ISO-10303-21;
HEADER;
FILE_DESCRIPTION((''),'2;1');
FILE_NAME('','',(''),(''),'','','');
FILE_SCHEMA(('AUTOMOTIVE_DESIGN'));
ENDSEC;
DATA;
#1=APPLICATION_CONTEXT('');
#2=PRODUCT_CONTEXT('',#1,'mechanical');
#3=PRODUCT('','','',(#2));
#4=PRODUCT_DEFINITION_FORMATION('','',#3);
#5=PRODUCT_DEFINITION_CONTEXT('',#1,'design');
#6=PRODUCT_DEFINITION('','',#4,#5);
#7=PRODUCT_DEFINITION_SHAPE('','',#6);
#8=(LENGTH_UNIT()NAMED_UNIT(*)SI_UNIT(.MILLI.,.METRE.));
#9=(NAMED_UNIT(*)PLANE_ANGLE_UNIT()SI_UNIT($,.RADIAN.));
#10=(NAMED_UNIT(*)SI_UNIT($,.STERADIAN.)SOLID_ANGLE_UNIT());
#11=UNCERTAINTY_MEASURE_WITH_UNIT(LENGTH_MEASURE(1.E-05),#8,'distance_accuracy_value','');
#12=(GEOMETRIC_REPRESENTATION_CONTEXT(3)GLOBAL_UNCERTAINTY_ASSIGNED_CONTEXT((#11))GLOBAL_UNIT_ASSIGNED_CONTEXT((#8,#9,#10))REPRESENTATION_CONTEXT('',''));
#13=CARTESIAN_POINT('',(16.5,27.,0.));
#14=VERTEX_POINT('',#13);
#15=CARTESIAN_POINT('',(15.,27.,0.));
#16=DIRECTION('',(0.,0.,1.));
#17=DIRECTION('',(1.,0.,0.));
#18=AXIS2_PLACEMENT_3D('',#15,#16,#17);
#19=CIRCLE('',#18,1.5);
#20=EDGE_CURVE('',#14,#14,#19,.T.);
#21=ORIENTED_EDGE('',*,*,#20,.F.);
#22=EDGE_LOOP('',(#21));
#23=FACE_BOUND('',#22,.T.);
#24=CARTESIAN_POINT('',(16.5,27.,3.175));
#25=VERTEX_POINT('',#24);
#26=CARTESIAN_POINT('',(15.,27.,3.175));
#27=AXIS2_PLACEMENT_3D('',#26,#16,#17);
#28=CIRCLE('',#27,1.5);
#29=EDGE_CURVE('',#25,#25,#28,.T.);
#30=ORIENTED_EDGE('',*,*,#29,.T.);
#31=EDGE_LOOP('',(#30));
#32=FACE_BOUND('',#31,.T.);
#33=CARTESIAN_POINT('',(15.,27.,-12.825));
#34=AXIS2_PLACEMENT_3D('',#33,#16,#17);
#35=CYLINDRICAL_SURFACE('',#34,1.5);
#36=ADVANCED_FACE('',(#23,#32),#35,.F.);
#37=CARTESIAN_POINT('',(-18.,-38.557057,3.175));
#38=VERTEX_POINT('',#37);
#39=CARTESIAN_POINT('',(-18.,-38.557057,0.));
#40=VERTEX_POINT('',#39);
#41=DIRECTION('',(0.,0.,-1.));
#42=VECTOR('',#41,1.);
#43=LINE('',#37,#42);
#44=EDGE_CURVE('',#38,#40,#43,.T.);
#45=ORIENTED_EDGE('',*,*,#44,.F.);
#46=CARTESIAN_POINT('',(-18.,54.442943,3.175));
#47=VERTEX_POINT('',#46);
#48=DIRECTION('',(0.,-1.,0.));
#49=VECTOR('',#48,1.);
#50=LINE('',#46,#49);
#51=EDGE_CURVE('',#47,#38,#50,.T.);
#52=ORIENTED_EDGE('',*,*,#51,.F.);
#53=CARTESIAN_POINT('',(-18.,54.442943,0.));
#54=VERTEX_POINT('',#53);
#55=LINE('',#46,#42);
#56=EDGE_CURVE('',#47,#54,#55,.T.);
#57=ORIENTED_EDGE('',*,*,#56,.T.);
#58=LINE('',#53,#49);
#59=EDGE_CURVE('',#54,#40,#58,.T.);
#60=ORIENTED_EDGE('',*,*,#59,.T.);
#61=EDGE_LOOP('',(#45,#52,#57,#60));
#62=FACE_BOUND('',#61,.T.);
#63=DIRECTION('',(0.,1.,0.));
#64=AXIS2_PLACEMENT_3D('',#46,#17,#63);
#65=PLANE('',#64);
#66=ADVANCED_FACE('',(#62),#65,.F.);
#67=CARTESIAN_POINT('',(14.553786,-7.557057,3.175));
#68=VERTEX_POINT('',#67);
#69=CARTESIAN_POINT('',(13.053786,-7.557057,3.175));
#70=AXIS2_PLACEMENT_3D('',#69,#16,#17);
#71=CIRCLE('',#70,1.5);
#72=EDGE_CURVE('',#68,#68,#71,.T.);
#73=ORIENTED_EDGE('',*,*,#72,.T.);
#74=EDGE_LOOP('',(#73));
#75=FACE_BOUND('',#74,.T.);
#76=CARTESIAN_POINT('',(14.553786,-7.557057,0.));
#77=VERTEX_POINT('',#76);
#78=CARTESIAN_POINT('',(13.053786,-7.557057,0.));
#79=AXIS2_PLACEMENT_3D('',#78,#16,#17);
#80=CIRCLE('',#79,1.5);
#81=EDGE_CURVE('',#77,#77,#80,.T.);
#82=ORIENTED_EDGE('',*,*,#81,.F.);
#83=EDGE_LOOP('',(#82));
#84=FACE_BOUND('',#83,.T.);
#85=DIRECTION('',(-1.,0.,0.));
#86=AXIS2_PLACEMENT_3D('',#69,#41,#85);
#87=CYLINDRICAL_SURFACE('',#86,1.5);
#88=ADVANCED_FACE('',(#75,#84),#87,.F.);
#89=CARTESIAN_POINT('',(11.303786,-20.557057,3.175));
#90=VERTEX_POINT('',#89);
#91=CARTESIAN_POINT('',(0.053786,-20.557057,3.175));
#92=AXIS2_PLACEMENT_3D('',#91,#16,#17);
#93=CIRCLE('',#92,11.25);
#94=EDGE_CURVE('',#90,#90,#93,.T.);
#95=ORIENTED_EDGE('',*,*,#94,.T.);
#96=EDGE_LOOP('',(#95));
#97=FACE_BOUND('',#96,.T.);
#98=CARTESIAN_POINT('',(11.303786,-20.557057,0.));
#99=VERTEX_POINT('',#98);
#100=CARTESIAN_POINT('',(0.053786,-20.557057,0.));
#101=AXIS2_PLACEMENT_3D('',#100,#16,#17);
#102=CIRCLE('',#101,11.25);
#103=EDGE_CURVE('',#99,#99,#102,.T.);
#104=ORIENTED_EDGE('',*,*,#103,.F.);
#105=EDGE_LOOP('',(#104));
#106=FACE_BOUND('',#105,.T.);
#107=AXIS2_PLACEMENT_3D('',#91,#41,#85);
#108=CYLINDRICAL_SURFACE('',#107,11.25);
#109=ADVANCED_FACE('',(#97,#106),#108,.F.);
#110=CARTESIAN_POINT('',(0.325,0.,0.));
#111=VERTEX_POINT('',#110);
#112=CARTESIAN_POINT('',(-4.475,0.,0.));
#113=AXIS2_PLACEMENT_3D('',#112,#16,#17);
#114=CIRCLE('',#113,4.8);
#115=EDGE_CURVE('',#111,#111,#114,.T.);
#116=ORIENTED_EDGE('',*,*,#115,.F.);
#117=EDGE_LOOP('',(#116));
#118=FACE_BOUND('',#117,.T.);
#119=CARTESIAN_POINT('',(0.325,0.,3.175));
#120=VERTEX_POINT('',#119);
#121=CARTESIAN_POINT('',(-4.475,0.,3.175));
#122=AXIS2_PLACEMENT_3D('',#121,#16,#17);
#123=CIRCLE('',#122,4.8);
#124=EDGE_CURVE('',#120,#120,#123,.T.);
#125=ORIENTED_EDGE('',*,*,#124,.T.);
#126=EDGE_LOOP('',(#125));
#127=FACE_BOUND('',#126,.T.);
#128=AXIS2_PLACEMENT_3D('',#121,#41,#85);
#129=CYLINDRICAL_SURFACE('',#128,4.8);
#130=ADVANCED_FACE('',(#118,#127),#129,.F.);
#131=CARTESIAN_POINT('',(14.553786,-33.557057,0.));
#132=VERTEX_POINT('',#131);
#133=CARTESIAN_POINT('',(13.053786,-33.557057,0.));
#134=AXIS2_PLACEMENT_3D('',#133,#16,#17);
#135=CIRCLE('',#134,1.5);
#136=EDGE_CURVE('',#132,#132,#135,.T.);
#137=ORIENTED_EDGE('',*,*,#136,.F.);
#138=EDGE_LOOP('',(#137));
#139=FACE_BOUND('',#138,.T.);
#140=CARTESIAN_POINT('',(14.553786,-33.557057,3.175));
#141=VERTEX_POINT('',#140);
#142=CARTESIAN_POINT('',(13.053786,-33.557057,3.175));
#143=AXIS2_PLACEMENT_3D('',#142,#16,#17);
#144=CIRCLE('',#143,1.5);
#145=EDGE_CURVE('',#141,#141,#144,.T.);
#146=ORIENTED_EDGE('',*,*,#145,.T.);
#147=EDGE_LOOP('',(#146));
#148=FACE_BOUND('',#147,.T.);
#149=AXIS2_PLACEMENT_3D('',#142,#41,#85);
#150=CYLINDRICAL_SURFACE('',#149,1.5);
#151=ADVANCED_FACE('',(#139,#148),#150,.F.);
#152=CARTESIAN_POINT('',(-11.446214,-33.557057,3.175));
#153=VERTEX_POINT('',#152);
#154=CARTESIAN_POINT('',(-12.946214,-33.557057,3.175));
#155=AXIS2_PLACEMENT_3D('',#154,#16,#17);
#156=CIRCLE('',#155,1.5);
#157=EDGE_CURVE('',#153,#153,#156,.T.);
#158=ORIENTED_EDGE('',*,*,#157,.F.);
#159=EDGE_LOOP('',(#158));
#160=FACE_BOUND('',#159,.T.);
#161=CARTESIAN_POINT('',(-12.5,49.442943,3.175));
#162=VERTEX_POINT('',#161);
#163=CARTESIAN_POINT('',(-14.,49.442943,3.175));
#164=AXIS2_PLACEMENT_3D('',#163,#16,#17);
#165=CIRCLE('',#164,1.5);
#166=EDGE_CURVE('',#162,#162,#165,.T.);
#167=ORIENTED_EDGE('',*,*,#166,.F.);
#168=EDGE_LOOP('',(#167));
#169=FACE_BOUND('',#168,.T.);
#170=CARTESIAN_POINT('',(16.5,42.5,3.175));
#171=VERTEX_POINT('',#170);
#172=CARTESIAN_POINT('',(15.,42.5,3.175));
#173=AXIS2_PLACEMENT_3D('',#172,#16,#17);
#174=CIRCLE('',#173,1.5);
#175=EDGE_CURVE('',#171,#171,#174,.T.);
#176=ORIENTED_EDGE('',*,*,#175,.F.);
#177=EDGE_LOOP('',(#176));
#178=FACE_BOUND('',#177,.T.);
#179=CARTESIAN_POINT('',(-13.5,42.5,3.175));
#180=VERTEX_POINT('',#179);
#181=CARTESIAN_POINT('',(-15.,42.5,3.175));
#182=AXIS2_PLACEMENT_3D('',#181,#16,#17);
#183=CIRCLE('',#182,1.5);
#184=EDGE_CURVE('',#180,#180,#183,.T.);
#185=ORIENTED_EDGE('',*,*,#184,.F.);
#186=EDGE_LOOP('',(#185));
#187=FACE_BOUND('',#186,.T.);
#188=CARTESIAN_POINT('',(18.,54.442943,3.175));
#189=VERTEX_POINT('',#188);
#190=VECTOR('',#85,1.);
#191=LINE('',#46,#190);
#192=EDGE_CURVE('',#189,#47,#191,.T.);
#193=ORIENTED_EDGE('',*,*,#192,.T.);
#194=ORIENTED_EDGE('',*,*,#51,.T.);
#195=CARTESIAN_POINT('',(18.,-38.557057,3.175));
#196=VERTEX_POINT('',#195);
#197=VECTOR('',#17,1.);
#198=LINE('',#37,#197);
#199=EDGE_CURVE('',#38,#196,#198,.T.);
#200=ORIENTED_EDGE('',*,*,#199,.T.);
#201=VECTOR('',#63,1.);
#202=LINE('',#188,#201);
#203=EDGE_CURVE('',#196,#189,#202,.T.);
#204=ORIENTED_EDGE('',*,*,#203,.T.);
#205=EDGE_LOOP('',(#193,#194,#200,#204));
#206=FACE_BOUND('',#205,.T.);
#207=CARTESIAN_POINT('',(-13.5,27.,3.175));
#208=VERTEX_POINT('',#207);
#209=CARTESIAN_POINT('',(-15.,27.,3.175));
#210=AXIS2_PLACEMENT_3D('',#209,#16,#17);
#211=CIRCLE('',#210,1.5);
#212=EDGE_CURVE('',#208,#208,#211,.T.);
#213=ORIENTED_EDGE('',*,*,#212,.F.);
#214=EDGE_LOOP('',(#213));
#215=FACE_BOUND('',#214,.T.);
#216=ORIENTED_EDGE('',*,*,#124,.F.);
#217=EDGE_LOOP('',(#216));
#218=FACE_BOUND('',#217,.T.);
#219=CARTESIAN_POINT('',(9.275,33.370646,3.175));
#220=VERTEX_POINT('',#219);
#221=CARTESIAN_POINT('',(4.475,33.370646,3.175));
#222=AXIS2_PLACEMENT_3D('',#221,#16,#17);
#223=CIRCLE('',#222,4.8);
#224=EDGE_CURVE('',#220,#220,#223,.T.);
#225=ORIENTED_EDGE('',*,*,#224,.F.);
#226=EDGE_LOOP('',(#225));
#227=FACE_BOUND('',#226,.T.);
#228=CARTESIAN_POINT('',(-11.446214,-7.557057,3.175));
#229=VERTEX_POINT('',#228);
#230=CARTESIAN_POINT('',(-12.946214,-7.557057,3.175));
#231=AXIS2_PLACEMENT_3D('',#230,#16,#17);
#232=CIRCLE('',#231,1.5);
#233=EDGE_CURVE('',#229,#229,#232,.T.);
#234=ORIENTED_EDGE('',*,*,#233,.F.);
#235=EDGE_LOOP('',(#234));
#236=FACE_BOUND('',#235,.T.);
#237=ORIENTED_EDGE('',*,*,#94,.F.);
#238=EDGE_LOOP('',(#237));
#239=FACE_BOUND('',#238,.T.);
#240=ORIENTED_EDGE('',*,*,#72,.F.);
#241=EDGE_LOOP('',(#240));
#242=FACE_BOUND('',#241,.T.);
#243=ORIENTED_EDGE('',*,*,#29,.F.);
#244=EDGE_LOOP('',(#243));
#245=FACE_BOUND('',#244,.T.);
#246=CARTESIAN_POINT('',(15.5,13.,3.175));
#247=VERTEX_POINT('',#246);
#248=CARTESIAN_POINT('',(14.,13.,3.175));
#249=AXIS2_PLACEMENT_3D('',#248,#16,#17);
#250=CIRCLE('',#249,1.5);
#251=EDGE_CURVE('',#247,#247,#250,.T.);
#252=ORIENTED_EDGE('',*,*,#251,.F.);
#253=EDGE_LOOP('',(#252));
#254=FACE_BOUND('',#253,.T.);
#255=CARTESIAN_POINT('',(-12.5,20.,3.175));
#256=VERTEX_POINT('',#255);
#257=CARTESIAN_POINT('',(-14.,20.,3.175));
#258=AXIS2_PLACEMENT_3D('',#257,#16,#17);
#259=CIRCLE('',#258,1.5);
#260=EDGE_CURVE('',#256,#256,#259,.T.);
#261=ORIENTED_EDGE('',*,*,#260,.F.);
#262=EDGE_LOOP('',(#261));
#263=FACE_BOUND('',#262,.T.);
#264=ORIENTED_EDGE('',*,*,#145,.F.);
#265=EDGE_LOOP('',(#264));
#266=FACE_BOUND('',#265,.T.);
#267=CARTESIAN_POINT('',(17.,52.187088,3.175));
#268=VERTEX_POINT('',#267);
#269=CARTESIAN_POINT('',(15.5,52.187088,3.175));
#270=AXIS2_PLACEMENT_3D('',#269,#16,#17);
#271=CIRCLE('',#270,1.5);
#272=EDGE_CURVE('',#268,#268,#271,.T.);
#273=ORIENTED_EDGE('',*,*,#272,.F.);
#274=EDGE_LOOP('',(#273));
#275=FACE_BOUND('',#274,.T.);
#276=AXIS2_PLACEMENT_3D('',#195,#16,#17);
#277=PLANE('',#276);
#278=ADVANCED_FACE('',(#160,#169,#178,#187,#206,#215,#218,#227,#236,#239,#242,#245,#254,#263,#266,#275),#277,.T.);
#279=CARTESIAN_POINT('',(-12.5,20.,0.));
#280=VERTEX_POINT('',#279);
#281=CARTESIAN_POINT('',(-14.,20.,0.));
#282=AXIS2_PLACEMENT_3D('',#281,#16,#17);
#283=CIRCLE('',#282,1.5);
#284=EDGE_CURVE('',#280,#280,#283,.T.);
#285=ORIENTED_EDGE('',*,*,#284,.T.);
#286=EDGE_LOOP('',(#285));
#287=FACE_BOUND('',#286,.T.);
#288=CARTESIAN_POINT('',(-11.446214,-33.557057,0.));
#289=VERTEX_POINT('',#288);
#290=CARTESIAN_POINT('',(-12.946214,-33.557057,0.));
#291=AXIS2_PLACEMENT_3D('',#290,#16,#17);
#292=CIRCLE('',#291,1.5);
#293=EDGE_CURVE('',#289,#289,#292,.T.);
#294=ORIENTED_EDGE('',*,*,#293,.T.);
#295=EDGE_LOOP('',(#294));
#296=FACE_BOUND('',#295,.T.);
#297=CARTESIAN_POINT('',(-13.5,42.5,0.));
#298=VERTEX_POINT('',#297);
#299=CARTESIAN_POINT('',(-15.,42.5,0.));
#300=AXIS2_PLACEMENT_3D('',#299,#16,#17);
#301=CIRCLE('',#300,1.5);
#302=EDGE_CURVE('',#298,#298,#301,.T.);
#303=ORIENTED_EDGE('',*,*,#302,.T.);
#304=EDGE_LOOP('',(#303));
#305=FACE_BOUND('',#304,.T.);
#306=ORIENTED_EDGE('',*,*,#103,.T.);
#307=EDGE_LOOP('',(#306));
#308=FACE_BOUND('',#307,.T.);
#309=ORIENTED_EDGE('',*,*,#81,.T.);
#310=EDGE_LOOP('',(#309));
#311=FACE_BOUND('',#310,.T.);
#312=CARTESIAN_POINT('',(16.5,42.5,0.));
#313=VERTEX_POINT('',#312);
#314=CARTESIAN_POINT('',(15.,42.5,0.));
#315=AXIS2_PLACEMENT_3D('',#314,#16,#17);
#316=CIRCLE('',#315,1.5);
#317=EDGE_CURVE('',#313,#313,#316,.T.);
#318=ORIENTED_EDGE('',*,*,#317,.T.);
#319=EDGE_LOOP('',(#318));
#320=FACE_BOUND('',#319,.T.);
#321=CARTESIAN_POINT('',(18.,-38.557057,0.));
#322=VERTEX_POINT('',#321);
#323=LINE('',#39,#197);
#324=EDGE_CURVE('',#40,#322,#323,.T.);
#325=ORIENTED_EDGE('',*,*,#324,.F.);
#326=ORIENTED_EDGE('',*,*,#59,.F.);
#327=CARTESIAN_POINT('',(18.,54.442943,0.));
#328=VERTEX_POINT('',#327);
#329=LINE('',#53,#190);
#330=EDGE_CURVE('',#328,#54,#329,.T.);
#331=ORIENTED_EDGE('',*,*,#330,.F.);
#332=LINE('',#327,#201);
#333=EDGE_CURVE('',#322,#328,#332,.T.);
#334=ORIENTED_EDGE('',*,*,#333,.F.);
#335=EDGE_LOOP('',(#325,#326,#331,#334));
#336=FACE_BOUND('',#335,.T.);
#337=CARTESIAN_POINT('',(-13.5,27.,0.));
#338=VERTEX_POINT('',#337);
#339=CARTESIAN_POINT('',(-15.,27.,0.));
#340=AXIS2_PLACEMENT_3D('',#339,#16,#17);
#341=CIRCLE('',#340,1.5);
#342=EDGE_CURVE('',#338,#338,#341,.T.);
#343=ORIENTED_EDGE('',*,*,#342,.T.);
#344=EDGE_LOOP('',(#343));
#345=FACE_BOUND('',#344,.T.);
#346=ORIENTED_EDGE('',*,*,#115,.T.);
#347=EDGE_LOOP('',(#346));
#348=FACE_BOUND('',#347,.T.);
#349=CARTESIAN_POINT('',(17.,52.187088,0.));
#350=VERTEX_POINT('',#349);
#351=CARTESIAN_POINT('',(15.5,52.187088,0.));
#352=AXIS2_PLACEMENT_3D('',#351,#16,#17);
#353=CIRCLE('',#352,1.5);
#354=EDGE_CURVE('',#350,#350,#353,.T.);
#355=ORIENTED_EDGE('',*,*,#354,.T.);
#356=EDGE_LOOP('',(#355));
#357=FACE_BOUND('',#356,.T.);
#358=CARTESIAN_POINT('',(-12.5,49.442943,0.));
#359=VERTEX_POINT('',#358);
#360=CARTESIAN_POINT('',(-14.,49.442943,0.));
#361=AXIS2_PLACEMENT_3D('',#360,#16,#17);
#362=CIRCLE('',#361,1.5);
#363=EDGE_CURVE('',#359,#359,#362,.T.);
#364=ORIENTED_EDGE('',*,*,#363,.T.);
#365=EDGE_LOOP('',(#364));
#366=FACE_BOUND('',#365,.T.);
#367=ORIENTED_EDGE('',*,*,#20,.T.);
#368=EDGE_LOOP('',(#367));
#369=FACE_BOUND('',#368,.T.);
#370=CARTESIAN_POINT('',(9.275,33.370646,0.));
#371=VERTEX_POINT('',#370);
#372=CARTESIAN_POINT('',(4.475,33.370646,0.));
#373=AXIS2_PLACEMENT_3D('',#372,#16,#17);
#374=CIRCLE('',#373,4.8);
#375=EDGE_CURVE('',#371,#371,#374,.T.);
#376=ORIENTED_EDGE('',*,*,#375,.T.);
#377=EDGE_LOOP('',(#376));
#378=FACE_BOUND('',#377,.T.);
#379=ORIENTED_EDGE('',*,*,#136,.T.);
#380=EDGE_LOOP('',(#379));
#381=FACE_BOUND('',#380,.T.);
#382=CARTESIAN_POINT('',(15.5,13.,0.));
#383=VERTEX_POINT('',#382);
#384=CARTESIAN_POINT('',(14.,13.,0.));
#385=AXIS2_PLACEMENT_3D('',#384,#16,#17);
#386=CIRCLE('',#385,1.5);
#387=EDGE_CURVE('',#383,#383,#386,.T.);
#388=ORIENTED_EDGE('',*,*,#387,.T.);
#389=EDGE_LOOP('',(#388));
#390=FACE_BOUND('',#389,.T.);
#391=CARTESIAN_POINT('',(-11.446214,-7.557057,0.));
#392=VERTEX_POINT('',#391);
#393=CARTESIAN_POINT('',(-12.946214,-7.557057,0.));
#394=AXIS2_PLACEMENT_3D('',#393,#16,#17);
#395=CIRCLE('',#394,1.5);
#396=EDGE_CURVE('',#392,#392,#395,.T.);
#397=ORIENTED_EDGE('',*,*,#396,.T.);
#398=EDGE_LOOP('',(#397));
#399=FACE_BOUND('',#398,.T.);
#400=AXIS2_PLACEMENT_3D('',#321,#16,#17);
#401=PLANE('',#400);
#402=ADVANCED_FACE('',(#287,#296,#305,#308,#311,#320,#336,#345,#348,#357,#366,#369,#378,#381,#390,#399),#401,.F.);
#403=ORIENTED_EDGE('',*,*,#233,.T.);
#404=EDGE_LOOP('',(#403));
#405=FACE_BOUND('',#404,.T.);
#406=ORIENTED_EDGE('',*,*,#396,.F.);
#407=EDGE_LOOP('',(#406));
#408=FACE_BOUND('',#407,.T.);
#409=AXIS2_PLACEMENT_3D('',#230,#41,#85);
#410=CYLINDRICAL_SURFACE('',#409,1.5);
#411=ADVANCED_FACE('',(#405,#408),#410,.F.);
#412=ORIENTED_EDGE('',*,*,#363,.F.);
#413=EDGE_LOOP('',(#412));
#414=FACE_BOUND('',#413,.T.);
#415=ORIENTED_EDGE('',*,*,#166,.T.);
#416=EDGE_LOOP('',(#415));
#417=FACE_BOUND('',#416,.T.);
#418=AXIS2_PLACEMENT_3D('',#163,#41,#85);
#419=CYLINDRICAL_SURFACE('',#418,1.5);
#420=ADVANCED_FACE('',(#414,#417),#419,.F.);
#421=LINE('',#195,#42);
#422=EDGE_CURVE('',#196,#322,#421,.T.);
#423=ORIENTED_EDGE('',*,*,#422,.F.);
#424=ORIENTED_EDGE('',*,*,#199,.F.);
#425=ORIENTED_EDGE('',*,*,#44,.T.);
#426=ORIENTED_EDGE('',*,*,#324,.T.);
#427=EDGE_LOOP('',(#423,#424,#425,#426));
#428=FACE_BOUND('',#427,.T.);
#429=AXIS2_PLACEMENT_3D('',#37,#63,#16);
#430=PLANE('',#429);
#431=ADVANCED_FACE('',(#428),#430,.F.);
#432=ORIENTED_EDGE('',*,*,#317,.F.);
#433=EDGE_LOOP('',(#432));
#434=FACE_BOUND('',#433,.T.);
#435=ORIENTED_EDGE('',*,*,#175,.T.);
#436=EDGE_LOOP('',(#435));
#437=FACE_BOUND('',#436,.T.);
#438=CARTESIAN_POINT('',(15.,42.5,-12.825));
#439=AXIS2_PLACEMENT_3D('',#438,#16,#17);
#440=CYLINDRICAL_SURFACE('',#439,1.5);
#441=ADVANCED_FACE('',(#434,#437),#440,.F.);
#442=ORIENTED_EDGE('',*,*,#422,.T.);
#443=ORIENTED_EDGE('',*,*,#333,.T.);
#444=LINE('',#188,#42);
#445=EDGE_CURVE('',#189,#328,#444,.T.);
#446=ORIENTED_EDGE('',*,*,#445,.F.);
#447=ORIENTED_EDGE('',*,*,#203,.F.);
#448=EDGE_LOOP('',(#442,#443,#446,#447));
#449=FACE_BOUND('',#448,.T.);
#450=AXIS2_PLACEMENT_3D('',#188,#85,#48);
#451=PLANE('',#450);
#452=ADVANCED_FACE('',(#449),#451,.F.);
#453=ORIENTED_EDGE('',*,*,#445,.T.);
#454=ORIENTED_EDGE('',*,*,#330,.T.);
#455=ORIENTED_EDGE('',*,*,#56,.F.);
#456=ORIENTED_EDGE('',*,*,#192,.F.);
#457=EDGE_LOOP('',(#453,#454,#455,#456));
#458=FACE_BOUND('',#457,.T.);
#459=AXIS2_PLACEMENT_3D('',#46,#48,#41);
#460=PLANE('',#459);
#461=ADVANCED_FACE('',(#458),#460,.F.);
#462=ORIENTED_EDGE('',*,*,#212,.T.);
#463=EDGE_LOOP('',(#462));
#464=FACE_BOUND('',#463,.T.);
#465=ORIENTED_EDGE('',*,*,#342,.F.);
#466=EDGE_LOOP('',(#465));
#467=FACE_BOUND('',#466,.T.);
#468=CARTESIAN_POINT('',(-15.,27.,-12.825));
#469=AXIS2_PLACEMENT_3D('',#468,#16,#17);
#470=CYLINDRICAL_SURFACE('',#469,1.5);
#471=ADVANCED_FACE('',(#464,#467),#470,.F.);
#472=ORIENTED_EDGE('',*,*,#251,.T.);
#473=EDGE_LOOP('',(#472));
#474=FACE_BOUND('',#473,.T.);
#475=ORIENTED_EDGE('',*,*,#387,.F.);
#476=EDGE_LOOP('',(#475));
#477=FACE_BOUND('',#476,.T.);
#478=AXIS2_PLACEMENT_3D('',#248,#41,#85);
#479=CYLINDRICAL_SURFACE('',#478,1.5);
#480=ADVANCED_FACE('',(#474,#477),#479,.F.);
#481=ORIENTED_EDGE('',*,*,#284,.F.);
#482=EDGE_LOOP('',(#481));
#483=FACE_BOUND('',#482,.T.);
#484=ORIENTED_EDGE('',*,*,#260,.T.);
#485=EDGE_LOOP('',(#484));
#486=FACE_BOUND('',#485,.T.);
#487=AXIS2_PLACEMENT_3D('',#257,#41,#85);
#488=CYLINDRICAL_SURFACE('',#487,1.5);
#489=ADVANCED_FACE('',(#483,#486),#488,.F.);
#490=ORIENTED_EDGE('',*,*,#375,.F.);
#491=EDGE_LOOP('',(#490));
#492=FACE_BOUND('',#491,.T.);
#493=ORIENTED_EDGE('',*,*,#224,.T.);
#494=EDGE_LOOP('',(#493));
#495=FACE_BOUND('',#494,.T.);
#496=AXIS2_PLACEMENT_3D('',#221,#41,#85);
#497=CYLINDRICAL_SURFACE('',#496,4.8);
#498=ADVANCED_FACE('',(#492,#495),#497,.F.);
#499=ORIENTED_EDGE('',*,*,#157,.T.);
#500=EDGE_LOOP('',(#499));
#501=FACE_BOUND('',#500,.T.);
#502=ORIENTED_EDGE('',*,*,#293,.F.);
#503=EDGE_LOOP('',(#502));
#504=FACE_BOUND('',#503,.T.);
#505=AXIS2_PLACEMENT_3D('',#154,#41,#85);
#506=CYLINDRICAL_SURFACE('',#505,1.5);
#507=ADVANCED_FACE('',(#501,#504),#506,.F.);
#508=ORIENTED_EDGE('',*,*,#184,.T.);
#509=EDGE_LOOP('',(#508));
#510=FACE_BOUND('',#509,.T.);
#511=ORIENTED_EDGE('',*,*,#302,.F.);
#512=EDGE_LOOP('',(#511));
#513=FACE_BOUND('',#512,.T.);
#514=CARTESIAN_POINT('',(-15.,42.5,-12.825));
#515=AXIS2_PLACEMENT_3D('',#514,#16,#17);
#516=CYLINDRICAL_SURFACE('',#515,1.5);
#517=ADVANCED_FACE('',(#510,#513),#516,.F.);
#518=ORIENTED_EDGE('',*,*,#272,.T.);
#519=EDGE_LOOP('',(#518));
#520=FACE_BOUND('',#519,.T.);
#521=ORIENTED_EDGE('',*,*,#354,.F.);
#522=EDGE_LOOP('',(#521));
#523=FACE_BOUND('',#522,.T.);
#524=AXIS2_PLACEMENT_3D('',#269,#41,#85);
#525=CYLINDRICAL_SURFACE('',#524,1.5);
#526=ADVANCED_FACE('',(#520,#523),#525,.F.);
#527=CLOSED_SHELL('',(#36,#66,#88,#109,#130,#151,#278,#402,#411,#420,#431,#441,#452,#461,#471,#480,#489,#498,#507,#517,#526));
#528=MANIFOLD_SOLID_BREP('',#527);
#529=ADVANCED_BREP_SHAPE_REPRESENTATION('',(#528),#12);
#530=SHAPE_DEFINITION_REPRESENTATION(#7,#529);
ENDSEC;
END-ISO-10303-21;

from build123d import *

# Parameters (mm, degrees)
SKETCH2_W           = 36
SKETCH2_H           = 93
SKETCH2_R           = 1.5
SKETCH2_R_2         = 11.25
SKETCH2_R_3         = 4.8
BOSS_EXTRUDE1_DEPTH = 3.175
SKETCH3_R           = 1.5
CUT_EXTRUDE1_DEPTH  = 16


with BuildPart() as part:
    # Sketch2 → Boss-Extrude1 (new body)
    with BuildSketch(Plane.XY):
        with Locations((0, 7.942942894)):
            Rectangle(SKETCH2_W, SKETCH2_H)
        with Locations((13.053786058, -33.557057106)):
            Circle(SKETCH2_R, mode=Mode.SUBTRACT)
        with Locations((13.053786058, -7.557057106)):
            Circle(SKETCH2_R, mode=Mode.SUBTRACT)
        with Locations((-12.946213942, -33.557057106)):
            Circle(SKETCH2_R, mode=Mode.SUBTRACT)
        with Locations((-12.946213942, -7.557057106)):
            Circle(SKETCH2_R, mode=Mode.SUBTRACT)
        with Locations((0.053786058, -20.557057106)):
            Circle(SKETCH2_R_2, mode=Mode.SUBTRACT)
        with Locations((-4.475, 0)):
            Circle(SKETCH2_R_3, mode=Mode.SUBTRACT)
        with Locations((4.475, 33.370645783)):
            Circle(SKETCH2_R_3, mode=Mode.SUBTRACT)
        with Locations((14, 13)):
            Circle(SKETCH2_R, mode=Mode.SUBTRACT)
        with Locations((-14, 20)):
            Circle(SKETCH2_R, mode=Mode.SUBTRACT)
        with Locations((-14, 49.442942894)):
            Circle(SKETCH2_R, mode=Mode.SUBTRACT)
        with Locations((15.5, 52.187088466)):
            Circle(SKETCH2_R, mode=Mode.SUBTRACT)
    extrude(amount=BOSS_EXTRUDE1_DEPTH)

    # Sketch3 → Cut-Extrude1 (cut)
    with BuildSketch(Plane.XY.offset(3.175)):
        with Locations((-15, 42.5)):
            Circle(SKETCH3_R)
        with Locations((15, 42.5)):
            Circle(SKETCH3_R)
        with Locations((-15, 27)):
            Circle(SKETCH3_R)
        with Locations((15, 27)):
            Circle(SKETCH3_R)
    extrude(amount=-CUT_EXTRUDE1_DEPTH, mode=Mode.SUBTRACT)


solid = part.part
